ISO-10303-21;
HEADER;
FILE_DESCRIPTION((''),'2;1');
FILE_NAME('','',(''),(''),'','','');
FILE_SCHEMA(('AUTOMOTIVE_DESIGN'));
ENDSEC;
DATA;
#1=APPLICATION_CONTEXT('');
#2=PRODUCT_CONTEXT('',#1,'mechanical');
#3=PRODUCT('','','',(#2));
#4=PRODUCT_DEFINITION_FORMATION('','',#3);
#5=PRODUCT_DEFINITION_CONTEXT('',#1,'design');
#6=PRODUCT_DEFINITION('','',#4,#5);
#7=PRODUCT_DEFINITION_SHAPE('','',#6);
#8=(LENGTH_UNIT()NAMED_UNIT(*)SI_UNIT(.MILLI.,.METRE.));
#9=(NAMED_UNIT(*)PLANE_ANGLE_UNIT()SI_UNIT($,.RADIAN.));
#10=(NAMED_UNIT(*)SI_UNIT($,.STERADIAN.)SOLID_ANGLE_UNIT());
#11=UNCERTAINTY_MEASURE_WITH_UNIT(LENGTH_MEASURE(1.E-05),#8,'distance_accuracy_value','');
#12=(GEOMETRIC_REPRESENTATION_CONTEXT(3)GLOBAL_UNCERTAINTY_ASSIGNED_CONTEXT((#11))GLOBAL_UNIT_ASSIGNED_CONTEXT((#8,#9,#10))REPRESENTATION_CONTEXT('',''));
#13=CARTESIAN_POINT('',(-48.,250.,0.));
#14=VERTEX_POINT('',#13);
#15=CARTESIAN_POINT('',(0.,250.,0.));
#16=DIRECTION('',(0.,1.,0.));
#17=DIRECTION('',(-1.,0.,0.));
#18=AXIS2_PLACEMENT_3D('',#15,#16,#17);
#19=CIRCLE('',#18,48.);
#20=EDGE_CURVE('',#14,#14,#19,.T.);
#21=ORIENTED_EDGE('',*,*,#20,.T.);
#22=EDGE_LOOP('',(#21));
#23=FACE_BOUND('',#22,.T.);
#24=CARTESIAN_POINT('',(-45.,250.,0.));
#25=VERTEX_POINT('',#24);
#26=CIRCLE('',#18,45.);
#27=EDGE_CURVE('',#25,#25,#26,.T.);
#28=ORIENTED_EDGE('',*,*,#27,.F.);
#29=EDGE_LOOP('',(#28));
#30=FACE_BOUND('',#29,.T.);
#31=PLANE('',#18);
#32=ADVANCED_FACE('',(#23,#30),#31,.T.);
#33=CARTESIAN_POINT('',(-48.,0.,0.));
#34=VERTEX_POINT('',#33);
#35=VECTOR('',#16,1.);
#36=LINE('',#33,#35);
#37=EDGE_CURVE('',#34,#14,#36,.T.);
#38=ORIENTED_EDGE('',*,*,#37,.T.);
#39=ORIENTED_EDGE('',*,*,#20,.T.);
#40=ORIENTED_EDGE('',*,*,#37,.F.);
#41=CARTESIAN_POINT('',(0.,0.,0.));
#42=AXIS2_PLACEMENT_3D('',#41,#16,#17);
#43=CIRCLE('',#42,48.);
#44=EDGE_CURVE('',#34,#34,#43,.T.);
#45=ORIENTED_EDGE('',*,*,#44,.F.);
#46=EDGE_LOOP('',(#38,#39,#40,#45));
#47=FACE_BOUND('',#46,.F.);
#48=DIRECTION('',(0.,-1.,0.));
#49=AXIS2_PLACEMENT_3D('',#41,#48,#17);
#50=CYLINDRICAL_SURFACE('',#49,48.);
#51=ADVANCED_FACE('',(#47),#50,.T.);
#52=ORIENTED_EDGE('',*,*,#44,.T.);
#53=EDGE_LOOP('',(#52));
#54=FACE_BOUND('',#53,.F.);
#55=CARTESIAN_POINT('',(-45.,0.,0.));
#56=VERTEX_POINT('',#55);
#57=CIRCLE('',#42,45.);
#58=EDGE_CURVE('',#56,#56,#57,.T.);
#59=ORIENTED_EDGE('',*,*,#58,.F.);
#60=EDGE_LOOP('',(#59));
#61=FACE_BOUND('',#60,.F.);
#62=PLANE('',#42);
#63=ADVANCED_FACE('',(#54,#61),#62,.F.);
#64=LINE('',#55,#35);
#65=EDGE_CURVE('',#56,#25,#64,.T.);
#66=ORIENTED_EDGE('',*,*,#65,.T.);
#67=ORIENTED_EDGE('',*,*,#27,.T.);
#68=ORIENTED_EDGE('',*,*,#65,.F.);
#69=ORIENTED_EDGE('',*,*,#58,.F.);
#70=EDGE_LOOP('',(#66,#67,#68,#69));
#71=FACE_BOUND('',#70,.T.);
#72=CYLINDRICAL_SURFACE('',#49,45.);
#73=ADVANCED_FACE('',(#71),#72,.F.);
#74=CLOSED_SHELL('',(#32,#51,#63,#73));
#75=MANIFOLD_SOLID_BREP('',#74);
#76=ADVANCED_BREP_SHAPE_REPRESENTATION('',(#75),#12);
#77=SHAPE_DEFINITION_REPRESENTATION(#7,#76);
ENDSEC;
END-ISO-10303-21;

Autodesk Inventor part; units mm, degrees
ref_plane "YZ Plane" through (0, 0, 0) normal (1, 0, 0) x (0, 1, 0)
ref_plane "XZ Plane" through (0, 0, 0) normal (0, 1, 0) x (-1, 0, 0)
ref_plane "XY Plane" through (0, 0, 0) normal (0, 0, 1) x (1, 0, 0)
sketch "スケッチ1" plane through (0, 0, 0) normal (0, 1, 0) x (-1, 0, 0)
  circle A0 centre (0, 0) radius 45
  circle A1 centre (0, 0) radius 48
  dimension "d0" = 90
  dimension "d1" = 3
extrude "押し出し1" add sketch "スケッチ1" along normal blind 250
properties part number "motor_cover_sample" material "アルミニウム 6061"
